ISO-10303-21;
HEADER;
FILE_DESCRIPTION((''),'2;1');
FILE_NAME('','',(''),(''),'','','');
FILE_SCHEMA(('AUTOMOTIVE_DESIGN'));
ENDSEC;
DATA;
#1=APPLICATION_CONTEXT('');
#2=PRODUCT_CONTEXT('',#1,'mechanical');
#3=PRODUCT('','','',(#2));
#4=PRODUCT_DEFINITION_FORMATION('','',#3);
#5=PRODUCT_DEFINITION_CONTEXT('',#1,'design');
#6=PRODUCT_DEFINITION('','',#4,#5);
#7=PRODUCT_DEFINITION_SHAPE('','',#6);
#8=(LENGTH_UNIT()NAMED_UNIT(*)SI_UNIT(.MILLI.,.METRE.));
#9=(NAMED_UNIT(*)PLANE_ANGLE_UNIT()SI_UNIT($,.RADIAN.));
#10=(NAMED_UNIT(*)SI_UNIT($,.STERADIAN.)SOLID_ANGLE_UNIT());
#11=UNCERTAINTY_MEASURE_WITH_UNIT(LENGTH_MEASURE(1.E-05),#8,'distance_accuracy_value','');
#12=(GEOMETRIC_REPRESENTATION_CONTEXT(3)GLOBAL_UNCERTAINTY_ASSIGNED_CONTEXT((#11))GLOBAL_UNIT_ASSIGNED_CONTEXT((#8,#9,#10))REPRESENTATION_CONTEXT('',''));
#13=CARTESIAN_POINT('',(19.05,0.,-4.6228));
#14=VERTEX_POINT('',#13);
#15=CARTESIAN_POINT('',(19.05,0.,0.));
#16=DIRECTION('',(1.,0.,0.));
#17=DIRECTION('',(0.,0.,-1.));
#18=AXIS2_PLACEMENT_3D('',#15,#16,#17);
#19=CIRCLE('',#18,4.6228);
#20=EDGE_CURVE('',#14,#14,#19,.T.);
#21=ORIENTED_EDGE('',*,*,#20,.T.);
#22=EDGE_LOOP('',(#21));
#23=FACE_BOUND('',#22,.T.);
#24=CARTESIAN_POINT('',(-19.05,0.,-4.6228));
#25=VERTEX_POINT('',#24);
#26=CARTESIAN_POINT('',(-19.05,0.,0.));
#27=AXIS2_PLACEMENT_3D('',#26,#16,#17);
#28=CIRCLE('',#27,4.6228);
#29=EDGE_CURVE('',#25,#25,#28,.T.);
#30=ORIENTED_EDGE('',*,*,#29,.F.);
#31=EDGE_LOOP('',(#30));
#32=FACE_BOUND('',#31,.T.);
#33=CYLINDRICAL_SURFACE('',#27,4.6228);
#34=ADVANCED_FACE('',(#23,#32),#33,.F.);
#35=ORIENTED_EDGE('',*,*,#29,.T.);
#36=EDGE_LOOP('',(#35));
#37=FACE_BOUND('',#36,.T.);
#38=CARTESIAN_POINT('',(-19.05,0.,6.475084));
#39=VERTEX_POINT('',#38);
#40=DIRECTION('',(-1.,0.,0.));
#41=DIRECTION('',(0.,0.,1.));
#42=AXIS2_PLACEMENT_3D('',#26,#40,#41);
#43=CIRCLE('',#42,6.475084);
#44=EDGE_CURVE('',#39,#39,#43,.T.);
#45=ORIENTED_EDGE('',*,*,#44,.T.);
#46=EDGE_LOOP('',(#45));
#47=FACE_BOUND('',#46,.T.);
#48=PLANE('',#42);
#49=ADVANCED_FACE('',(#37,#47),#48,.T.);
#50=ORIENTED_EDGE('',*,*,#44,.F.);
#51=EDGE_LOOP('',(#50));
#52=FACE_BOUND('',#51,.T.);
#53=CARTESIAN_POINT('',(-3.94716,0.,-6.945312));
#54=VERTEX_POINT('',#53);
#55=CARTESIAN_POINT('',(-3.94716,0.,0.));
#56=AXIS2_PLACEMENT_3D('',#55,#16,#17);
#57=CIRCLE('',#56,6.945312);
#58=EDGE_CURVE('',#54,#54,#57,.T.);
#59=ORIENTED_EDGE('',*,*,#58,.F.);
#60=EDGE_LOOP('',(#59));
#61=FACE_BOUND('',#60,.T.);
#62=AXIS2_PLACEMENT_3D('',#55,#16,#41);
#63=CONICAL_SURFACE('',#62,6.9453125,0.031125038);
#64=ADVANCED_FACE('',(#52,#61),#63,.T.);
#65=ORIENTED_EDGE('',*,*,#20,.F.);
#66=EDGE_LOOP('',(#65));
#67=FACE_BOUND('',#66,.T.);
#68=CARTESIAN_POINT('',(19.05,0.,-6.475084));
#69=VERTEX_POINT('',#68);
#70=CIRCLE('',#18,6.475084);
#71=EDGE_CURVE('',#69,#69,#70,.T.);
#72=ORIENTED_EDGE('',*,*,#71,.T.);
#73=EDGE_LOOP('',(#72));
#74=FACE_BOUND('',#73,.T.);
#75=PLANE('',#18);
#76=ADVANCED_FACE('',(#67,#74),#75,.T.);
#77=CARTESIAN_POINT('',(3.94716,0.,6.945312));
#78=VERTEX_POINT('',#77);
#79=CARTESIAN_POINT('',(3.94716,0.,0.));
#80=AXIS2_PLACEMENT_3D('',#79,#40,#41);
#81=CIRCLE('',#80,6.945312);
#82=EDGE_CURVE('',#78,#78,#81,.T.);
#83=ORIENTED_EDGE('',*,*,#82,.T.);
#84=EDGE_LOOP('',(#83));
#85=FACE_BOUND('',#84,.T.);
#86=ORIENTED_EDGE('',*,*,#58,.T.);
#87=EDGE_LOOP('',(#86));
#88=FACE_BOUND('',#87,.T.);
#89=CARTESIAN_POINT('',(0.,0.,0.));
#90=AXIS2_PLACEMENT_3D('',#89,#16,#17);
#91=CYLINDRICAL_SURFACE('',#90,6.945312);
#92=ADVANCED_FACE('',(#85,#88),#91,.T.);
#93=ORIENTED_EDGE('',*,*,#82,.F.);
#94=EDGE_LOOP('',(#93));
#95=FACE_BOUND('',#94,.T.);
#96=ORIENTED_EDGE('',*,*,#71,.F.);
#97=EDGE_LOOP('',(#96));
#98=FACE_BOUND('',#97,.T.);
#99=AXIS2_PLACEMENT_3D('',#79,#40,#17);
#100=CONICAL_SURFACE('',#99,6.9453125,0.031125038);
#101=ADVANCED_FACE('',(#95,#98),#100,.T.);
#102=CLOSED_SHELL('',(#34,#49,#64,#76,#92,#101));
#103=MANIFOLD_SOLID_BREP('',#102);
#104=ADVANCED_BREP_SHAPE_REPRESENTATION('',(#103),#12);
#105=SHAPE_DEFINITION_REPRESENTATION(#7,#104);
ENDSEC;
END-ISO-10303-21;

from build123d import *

# Parameters (mm, degrees)
SKETCH2_R          = 6.9453125
EXTRUDE1_DEPTH     = 15.10284
EXTRUDE1_TAPER     = 1.783333333
SKETCH11_R         = 6.9453125
EXTRUDE4_DEPTH     = 3.94716
SKETCH13_R         = 6.598046875
EXTRUDE5_DEPTH     = 1.058333333
CIRPATTERN1_COUNT  = 2
SKETCH5_R          = 4.6228
CUT_EXTRUDE3_DEPTH = 40.345708049


with BuildPart() as part:
    # Sketch2 → Extrude1 (new body)
    with BuildSketch(Plane(origin=(3.94716, 0, 0), x_dir=(0, 0, -1), z_dir=(1, 0, 0))):
        Circle(SKETCH2_R)
    extrude(amount=EXTRUDE1_DEPTH, taper=EXTRUDE1_TAPER)



with BuildPart() as body_2:
    # Sketch11 → Extrude4 (new body)
    with BuildSketch(Plane.ZY.offset(-3.94716)):
        Circle(SKETCH11_R)
    extrude(amount=EXTRUDE4_DEPTH)


with BuildPart() as part_1:
    add(part.part)

    add(body_2.part)  # Extrude5 merges body 2
    # Sketch13 → Extrude5 (add)
    with BuildSketch(Plane.ZY.offset(-3.94716)):
        Circle(SKETCH13_R)
    extrude(amount=EXTRUDE5_DEPTH)


with BuildPart() as cirpattern1_1:
    # CirPattern1: pattern copy
    add(part_1.part.rotate(Axis((0, 27.182238006, 0), (0, -1, 0)), 1 * 360 / CIRPATTERN1_COUNT))


with BuildPart() as part_2:
    add(part_1.part)

    # Combine1: union CirPattern1_1
    add(cirpattern1_1.part)

    # Sketch5 → Cut-Extrude3 (cut, through all)
    with BuildSketch(Plane(origin=(19.05, 0, 0), x_dir=(0, 0, -1), z_dir=(1, 0, 0))):
        Circle(SKETCH5_R)
    extrude(amount=-CUT_EXTRUDE3_DEPTH, mode=Mode.SUBTRACT)


solid = part_2.part
